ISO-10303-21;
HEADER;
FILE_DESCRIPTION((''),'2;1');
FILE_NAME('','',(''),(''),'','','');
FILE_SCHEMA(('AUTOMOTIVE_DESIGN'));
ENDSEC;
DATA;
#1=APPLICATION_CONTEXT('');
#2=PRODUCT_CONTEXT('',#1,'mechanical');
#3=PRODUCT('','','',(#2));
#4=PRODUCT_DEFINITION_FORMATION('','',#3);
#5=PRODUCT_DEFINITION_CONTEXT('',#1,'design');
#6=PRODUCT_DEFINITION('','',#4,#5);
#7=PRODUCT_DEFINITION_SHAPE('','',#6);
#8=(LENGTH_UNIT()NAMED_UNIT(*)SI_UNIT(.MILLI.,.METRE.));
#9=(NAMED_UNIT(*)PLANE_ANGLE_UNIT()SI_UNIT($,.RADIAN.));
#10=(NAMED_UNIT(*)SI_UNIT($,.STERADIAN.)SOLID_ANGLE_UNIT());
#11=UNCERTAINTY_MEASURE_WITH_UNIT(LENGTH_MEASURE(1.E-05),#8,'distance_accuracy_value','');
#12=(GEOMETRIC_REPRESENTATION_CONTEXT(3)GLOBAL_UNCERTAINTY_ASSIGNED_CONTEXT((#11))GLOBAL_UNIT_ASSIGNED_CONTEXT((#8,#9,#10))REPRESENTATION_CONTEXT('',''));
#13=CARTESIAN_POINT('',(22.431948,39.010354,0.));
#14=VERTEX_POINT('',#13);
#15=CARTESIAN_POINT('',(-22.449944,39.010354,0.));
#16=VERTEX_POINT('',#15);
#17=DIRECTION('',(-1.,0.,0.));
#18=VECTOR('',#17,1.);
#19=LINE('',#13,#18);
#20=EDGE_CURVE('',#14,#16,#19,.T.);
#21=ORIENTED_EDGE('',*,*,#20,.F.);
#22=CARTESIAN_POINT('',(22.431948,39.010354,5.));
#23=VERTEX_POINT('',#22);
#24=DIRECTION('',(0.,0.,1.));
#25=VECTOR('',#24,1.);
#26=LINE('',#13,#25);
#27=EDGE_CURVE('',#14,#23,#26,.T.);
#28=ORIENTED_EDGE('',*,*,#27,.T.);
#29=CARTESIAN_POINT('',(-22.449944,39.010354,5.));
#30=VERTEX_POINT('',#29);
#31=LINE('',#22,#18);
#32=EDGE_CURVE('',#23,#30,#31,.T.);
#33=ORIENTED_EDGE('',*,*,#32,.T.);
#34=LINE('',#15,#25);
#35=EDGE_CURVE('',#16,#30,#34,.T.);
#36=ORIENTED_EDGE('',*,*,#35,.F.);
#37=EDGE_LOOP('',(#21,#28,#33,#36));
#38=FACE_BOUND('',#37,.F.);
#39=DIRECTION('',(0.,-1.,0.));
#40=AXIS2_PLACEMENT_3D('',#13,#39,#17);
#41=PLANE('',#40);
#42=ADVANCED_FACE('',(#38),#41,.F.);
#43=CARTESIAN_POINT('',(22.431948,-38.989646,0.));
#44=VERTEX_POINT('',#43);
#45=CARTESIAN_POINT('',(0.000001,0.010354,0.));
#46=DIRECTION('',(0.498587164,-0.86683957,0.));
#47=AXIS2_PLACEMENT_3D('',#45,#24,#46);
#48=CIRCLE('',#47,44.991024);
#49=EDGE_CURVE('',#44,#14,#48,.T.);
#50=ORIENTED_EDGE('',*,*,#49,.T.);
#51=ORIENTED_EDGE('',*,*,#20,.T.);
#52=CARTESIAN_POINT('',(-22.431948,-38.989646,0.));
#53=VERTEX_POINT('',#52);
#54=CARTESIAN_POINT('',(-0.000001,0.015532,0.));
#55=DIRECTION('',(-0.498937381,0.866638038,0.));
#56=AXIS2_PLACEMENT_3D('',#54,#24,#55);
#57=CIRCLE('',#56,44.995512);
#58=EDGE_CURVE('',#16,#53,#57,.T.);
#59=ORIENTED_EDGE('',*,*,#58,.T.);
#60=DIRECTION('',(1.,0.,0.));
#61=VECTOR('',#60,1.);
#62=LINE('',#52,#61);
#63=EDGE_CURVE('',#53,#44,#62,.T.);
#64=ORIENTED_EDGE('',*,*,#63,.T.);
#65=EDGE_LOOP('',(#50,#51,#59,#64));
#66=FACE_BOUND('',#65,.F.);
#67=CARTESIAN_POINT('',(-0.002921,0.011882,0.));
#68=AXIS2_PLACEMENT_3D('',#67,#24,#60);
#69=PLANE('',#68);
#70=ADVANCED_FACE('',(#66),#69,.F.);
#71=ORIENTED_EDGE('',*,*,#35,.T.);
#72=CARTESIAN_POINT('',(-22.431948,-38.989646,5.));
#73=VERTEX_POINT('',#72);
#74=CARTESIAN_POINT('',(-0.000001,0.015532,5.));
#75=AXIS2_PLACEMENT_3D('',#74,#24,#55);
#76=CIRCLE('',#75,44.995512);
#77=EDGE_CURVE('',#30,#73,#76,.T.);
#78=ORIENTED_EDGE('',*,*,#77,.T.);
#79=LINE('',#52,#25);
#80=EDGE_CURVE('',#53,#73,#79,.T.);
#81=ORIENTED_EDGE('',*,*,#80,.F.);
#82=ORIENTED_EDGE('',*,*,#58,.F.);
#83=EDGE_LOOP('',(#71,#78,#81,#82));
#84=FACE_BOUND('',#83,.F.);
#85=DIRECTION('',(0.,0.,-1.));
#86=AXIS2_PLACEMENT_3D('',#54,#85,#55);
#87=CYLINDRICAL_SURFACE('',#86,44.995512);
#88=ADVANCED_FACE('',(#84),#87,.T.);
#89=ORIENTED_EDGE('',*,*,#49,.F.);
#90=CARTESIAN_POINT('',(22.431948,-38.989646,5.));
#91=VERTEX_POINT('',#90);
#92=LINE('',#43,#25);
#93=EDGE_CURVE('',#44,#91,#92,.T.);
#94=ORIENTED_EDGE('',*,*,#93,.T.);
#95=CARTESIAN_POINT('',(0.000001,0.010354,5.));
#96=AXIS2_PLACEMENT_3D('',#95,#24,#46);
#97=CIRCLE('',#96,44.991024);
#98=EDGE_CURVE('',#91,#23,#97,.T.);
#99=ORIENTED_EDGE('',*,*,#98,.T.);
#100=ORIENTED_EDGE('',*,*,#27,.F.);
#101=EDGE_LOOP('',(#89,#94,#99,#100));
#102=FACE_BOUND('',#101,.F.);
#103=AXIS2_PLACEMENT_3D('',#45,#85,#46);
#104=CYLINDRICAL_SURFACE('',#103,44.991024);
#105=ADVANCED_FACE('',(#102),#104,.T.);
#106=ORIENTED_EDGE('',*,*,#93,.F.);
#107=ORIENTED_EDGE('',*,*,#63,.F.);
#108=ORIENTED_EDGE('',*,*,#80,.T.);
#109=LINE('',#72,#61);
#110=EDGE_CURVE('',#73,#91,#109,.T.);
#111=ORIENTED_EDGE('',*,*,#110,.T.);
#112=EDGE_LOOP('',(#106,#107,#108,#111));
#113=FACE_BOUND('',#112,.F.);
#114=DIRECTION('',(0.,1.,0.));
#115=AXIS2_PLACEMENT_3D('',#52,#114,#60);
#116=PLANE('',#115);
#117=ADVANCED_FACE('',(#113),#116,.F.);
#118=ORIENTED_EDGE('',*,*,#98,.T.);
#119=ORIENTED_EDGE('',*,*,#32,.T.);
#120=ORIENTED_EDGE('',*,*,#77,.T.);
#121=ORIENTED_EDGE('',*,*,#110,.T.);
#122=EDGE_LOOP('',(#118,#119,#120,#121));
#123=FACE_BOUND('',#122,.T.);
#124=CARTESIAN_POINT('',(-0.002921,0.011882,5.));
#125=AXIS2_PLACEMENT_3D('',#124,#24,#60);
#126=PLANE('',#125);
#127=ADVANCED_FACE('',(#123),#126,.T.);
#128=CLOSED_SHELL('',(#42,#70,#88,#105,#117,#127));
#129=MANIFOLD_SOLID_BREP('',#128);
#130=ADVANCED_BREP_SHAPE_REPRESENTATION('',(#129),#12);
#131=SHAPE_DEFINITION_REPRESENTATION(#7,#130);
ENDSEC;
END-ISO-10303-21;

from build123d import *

# Parameters (mm, degrees)
PAD_1_DEPTH = 5


with BuildPart() as part:
    # Sketch_1 → Pad_1 (new body)
    with BuildSketch(Plane.XY):
        with BuildLine():
            ThreePointArc((22.431948, -38.989646), (44.991025, 0.010354), (22.431948, 39.010354))
            Line((22.431948, 39.010354), (-22.449944, 39.010354))
            ThreePointArc((-22.449944, 39.010354), (-44.995512, 0.00515), (-22.431948, -38.989646))
            Line((-22.431948, -38.989646), (22.431948, -38.989646))
        make_face()
    extrude(amount=PAD_1_DEPTH)


solid = part.part
